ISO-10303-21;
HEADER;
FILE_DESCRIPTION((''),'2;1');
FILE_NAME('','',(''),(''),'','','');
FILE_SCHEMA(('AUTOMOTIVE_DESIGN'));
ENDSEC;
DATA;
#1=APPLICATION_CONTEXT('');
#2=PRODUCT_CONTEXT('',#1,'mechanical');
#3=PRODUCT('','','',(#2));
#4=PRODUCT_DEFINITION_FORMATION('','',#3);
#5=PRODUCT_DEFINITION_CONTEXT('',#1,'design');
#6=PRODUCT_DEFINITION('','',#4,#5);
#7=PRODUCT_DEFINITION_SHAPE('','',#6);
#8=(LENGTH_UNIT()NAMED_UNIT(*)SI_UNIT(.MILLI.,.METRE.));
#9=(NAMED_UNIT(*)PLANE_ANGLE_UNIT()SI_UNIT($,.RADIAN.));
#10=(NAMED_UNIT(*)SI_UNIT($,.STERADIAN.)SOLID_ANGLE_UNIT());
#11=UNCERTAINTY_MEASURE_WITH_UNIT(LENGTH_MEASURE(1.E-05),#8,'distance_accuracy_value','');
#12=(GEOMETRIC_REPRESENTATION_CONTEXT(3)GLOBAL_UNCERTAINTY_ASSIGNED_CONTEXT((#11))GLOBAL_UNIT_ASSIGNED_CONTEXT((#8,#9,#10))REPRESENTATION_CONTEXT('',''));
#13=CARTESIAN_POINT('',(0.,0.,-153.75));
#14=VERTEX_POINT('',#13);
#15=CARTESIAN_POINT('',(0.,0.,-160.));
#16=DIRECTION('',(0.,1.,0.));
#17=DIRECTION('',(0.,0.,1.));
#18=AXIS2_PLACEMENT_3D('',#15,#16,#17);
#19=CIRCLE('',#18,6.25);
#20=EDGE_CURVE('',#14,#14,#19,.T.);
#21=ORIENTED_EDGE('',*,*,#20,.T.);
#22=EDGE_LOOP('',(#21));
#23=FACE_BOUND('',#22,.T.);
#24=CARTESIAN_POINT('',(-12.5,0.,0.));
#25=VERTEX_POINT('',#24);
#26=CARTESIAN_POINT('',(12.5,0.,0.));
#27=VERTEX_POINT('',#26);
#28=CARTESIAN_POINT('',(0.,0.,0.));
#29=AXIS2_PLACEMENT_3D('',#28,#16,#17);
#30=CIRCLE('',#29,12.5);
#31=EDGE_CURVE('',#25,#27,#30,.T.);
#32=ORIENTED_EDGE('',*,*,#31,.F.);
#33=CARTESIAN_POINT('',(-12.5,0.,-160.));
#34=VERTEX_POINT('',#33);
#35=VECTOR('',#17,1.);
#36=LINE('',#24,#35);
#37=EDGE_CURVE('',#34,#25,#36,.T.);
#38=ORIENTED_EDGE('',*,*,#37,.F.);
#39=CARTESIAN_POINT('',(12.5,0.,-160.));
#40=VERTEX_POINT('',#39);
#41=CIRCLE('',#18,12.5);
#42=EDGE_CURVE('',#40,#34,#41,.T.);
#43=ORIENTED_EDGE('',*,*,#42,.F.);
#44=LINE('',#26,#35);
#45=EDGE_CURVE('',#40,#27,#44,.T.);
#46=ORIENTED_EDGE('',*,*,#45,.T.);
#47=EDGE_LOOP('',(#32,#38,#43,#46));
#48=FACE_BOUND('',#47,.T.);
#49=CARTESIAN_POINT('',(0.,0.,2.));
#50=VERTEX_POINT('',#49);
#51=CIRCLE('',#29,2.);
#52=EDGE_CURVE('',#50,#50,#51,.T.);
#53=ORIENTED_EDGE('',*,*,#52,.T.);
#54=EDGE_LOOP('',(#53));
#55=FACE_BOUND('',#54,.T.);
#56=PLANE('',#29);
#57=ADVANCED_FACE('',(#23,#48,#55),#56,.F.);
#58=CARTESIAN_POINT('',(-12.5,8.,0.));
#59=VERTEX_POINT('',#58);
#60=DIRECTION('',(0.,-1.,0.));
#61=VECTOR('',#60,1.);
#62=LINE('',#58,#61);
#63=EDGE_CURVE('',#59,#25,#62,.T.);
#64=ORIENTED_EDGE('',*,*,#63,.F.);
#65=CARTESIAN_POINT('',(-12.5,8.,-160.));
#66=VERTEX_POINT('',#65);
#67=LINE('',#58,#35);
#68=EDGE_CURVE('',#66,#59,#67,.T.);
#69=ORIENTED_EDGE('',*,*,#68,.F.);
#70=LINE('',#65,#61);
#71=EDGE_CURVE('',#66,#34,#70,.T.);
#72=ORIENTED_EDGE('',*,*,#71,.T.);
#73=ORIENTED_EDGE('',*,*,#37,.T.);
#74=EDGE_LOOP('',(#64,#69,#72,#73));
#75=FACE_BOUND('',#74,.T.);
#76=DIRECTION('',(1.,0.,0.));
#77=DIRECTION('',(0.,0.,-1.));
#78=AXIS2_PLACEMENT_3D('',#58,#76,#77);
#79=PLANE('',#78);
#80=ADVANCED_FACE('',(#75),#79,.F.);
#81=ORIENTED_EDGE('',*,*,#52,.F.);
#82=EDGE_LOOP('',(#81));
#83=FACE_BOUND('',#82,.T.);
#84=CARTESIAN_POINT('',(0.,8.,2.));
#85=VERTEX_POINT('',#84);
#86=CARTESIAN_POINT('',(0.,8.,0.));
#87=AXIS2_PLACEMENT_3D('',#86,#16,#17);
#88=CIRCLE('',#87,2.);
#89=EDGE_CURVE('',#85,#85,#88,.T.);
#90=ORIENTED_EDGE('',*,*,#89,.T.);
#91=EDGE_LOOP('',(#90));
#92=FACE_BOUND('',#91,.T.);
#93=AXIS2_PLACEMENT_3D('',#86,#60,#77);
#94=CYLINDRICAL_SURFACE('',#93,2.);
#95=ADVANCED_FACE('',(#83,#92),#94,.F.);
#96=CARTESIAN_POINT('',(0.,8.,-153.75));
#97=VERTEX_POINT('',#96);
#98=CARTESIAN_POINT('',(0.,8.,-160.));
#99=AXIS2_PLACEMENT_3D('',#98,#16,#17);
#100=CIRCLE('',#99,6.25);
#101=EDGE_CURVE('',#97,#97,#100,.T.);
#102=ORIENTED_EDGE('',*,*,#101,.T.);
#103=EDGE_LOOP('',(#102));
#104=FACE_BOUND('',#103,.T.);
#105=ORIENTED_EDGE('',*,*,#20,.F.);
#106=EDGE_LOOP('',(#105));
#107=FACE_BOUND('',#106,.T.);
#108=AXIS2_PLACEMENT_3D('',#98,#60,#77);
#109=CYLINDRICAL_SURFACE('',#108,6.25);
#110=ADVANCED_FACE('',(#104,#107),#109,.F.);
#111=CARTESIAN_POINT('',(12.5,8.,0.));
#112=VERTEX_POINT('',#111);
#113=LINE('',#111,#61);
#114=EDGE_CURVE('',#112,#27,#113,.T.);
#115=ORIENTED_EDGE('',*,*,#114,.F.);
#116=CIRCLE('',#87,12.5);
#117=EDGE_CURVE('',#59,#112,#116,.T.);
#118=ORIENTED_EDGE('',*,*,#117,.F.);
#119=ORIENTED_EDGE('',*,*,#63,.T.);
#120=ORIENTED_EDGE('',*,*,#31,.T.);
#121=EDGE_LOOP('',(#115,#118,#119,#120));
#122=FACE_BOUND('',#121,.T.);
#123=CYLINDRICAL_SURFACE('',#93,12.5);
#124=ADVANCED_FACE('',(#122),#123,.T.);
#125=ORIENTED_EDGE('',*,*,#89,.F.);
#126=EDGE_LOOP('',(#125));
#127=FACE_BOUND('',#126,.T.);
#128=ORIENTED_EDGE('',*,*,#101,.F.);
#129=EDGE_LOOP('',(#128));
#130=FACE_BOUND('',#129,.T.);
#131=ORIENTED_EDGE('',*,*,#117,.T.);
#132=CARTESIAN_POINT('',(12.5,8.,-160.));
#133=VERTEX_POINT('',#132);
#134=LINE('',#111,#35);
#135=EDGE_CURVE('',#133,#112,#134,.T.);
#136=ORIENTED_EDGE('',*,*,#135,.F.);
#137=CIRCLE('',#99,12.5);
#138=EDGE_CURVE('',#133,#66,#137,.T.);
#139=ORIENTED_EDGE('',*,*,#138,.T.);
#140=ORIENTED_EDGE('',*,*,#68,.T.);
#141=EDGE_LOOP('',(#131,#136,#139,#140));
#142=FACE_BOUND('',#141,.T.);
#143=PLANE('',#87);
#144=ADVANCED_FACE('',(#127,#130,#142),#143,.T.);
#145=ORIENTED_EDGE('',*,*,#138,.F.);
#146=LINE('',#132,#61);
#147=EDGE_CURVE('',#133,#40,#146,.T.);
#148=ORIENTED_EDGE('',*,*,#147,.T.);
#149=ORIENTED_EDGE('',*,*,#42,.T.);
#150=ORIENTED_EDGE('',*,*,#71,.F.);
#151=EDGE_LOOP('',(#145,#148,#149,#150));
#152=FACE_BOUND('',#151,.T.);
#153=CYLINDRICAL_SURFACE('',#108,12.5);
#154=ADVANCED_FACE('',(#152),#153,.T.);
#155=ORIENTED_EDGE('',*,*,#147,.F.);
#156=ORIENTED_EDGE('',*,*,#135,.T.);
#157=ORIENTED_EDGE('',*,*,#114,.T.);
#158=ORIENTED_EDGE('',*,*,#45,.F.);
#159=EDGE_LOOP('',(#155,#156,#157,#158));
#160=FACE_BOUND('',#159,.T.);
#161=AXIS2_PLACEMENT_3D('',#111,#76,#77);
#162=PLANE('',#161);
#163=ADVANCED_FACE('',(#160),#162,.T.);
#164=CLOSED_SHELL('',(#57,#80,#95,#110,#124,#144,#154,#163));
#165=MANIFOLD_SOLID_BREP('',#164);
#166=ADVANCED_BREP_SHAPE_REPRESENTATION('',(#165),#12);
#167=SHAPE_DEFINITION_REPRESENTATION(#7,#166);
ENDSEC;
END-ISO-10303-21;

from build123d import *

# Parameters (mm, degrees)
SKETCH1_R           = 6.25
SKETCH1_R_2         = 2
BOSS_EXTRUDE1_DEPTH = 8


with BuildPart() as part:
    # Sketch1 → Boss-Extrude1 (new body)
    with BuildSketch(Plane(origin=(0, 0, 0), x_dir=(1, 0, 0), z_dir=(0, 1, 0))):
        with BuildLine():
            ThreePointArc((12.5, 160), (0, 172.5), (-12.5, 160))
            Line((-12.5, 160), (-12.5, 0))
            ThreePointArc((-12.5, 0), (0, -12.5), (12.5, 0))
            Line((12.5, 0), (12.5, 160))
        make_face()
        with Locations(Location((0, 160, 0), (0, 0, 270))):
            Circle(SKETCH1_R, mode=Mode.SUBTRACT)
        with Locations(Location((0, 0, 0), (0, 0, 270))):
            Circle(SKETCH1_R_2, mode=Mode.SUBTRACT)
    extrude(amount=BOSS_EXTRUDE1_DEPTH)


solid = part.part
